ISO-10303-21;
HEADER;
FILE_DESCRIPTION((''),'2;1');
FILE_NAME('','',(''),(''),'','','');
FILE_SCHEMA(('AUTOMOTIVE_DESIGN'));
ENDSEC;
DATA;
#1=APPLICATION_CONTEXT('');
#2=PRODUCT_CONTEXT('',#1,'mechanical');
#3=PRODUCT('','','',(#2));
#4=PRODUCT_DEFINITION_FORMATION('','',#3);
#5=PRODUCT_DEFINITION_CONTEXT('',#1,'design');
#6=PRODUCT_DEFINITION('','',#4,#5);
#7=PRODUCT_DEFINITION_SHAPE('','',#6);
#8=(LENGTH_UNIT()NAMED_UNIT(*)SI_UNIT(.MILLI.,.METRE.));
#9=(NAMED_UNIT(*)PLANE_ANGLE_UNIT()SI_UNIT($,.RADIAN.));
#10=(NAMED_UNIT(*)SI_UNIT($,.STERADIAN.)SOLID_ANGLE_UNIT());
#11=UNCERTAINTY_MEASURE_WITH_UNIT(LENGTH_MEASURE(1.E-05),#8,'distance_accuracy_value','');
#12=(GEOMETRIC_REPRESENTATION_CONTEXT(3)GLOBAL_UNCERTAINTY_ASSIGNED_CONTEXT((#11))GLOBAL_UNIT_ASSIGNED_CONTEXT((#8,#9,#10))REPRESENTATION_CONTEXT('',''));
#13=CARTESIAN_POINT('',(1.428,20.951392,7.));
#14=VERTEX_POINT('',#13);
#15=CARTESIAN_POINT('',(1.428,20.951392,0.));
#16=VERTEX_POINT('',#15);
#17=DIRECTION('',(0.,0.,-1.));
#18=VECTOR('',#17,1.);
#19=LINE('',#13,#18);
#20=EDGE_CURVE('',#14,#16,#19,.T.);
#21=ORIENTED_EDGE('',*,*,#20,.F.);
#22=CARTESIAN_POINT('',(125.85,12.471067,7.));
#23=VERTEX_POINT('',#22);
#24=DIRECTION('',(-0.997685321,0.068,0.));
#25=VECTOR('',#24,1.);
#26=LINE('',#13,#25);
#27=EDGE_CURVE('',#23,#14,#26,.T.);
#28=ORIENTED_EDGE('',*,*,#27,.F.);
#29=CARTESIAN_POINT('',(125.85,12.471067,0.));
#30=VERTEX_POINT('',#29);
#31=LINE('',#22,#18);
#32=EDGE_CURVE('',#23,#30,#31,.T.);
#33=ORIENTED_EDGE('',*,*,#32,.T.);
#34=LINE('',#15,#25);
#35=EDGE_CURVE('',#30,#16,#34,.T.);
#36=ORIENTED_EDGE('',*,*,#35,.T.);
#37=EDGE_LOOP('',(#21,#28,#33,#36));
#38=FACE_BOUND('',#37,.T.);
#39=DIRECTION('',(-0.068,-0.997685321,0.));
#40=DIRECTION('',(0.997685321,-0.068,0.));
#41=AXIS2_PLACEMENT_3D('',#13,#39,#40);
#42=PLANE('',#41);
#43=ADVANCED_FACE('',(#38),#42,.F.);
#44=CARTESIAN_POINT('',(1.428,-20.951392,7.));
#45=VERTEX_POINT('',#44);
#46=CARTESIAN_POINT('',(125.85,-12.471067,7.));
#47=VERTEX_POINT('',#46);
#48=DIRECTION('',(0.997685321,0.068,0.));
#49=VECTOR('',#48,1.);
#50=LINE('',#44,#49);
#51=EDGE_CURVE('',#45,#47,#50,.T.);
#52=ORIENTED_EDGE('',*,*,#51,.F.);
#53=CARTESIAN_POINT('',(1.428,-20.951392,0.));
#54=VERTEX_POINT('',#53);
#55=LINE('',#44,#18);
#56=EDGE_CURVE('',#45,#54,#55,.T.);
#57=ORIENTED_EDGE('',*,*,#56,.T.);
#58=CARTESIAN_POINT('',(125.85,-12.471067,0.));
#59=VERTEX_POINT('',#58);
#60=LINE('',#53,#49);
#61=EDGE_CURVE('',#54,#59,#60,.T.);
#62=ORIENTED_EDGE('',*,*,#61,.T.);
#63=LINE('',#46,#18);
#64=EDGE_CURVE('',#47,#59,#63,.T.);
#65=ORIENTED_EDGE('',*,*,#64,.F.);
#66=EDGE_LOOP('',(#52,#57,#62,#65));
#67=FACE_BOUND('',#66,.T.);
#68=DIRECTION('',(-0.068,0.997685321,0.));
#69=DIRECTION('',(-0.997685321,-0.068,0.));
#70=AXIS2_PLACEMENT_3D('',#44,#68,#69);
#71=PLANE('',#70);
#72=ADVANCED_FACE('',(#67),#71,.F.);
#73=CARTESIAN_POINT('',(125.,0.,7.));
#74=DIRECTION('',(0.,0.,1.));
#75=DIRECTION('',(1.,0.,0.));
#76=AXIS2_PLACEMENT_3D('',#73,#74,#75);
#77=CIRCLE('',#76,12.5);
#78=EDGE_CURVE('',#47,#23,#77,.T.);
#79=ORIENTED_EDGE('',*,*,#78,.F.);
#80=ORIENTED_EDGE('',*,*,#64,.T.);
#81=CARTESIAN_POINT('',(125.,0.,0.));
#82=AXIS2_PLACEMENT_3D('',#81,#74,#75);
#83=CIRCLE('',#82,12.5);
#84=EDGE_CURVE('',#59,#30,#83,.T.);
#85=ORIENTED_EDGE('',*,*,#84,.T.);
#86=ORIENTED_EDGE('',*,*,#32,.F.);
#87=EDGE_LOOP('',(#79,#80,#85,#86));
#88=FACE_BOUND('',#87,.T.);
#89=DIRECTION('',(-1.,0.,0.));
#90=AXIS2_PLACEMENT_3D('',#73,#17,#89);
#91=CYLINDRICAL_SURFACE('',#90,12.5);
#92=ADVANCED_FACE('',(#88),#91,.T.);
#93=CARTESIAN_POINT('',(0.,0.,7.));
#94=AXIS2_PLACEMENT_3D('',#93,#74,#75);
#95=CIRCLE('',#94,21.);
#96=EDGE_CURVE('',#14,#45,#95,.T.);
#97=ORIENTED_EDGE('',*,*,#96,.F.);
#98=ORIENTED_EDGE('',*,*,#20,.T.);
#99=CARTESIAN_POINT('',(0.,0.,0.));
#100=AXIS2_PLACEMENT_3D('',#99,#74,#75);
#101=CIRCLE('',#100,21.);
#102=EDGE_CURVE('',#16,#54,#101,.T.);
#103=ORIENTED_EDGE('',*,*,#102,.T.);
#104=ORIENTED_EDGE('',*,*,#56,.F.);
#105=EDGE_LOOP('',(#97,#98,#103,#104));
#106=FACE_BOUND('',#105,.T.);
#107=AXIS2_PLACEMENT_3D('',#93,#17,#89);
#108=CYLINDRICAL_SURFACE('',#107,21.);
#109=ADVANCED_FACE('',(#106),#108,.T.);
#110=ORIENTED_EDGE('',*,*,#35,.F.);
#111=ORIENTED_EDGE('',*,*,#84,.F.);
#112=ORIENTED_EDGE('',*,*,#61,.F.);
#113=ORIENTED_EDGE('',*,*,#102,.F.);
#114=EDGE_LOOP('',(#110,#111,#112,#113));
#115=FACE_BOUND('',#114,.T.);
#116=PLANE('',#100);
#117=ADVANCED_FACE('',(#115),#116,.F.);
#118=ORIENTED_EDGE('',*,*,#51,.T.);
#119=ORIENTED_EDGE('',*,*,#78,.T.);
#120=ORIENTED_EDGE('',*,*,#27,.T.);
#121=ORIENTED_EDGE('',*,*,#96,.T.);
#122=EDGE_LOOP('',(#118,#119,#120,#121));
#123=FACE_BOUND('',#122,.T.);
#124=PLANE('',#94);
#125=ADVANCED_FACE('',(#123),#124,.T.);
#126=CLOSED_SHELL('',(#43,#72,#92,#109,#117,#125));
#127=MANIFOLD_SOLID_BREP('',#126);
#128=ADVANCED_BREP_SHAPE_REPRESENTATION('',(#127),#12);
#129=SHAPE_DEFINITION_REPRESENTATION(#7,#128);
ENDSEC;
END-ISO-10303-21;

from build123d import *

# Parameters (mm, degrees)
EXTRUDE_1_DEPTH = 7


with BuildPart() as part:
    # 草图2 → 凸台-拉伸1 (new body)
    with BuildSketch(Plane.XY):
        with BuildLine():
            Line((1.428, 20.951391744), (125.85, 12.471066514))
            ThreePointArc((125.85, 12.471066514), (137.5, 0), (125.85, -12.471066514))
            Line((125.85, -12.471066514), (1.428, -20.951391744))
            ThreePointArc((1.428, -20.951391744), (-21, 0), (1.428, 20.951391744))
        make_face()
    extrude(amount=EXTRUDE_1_DEPTH)


solid = part.part
